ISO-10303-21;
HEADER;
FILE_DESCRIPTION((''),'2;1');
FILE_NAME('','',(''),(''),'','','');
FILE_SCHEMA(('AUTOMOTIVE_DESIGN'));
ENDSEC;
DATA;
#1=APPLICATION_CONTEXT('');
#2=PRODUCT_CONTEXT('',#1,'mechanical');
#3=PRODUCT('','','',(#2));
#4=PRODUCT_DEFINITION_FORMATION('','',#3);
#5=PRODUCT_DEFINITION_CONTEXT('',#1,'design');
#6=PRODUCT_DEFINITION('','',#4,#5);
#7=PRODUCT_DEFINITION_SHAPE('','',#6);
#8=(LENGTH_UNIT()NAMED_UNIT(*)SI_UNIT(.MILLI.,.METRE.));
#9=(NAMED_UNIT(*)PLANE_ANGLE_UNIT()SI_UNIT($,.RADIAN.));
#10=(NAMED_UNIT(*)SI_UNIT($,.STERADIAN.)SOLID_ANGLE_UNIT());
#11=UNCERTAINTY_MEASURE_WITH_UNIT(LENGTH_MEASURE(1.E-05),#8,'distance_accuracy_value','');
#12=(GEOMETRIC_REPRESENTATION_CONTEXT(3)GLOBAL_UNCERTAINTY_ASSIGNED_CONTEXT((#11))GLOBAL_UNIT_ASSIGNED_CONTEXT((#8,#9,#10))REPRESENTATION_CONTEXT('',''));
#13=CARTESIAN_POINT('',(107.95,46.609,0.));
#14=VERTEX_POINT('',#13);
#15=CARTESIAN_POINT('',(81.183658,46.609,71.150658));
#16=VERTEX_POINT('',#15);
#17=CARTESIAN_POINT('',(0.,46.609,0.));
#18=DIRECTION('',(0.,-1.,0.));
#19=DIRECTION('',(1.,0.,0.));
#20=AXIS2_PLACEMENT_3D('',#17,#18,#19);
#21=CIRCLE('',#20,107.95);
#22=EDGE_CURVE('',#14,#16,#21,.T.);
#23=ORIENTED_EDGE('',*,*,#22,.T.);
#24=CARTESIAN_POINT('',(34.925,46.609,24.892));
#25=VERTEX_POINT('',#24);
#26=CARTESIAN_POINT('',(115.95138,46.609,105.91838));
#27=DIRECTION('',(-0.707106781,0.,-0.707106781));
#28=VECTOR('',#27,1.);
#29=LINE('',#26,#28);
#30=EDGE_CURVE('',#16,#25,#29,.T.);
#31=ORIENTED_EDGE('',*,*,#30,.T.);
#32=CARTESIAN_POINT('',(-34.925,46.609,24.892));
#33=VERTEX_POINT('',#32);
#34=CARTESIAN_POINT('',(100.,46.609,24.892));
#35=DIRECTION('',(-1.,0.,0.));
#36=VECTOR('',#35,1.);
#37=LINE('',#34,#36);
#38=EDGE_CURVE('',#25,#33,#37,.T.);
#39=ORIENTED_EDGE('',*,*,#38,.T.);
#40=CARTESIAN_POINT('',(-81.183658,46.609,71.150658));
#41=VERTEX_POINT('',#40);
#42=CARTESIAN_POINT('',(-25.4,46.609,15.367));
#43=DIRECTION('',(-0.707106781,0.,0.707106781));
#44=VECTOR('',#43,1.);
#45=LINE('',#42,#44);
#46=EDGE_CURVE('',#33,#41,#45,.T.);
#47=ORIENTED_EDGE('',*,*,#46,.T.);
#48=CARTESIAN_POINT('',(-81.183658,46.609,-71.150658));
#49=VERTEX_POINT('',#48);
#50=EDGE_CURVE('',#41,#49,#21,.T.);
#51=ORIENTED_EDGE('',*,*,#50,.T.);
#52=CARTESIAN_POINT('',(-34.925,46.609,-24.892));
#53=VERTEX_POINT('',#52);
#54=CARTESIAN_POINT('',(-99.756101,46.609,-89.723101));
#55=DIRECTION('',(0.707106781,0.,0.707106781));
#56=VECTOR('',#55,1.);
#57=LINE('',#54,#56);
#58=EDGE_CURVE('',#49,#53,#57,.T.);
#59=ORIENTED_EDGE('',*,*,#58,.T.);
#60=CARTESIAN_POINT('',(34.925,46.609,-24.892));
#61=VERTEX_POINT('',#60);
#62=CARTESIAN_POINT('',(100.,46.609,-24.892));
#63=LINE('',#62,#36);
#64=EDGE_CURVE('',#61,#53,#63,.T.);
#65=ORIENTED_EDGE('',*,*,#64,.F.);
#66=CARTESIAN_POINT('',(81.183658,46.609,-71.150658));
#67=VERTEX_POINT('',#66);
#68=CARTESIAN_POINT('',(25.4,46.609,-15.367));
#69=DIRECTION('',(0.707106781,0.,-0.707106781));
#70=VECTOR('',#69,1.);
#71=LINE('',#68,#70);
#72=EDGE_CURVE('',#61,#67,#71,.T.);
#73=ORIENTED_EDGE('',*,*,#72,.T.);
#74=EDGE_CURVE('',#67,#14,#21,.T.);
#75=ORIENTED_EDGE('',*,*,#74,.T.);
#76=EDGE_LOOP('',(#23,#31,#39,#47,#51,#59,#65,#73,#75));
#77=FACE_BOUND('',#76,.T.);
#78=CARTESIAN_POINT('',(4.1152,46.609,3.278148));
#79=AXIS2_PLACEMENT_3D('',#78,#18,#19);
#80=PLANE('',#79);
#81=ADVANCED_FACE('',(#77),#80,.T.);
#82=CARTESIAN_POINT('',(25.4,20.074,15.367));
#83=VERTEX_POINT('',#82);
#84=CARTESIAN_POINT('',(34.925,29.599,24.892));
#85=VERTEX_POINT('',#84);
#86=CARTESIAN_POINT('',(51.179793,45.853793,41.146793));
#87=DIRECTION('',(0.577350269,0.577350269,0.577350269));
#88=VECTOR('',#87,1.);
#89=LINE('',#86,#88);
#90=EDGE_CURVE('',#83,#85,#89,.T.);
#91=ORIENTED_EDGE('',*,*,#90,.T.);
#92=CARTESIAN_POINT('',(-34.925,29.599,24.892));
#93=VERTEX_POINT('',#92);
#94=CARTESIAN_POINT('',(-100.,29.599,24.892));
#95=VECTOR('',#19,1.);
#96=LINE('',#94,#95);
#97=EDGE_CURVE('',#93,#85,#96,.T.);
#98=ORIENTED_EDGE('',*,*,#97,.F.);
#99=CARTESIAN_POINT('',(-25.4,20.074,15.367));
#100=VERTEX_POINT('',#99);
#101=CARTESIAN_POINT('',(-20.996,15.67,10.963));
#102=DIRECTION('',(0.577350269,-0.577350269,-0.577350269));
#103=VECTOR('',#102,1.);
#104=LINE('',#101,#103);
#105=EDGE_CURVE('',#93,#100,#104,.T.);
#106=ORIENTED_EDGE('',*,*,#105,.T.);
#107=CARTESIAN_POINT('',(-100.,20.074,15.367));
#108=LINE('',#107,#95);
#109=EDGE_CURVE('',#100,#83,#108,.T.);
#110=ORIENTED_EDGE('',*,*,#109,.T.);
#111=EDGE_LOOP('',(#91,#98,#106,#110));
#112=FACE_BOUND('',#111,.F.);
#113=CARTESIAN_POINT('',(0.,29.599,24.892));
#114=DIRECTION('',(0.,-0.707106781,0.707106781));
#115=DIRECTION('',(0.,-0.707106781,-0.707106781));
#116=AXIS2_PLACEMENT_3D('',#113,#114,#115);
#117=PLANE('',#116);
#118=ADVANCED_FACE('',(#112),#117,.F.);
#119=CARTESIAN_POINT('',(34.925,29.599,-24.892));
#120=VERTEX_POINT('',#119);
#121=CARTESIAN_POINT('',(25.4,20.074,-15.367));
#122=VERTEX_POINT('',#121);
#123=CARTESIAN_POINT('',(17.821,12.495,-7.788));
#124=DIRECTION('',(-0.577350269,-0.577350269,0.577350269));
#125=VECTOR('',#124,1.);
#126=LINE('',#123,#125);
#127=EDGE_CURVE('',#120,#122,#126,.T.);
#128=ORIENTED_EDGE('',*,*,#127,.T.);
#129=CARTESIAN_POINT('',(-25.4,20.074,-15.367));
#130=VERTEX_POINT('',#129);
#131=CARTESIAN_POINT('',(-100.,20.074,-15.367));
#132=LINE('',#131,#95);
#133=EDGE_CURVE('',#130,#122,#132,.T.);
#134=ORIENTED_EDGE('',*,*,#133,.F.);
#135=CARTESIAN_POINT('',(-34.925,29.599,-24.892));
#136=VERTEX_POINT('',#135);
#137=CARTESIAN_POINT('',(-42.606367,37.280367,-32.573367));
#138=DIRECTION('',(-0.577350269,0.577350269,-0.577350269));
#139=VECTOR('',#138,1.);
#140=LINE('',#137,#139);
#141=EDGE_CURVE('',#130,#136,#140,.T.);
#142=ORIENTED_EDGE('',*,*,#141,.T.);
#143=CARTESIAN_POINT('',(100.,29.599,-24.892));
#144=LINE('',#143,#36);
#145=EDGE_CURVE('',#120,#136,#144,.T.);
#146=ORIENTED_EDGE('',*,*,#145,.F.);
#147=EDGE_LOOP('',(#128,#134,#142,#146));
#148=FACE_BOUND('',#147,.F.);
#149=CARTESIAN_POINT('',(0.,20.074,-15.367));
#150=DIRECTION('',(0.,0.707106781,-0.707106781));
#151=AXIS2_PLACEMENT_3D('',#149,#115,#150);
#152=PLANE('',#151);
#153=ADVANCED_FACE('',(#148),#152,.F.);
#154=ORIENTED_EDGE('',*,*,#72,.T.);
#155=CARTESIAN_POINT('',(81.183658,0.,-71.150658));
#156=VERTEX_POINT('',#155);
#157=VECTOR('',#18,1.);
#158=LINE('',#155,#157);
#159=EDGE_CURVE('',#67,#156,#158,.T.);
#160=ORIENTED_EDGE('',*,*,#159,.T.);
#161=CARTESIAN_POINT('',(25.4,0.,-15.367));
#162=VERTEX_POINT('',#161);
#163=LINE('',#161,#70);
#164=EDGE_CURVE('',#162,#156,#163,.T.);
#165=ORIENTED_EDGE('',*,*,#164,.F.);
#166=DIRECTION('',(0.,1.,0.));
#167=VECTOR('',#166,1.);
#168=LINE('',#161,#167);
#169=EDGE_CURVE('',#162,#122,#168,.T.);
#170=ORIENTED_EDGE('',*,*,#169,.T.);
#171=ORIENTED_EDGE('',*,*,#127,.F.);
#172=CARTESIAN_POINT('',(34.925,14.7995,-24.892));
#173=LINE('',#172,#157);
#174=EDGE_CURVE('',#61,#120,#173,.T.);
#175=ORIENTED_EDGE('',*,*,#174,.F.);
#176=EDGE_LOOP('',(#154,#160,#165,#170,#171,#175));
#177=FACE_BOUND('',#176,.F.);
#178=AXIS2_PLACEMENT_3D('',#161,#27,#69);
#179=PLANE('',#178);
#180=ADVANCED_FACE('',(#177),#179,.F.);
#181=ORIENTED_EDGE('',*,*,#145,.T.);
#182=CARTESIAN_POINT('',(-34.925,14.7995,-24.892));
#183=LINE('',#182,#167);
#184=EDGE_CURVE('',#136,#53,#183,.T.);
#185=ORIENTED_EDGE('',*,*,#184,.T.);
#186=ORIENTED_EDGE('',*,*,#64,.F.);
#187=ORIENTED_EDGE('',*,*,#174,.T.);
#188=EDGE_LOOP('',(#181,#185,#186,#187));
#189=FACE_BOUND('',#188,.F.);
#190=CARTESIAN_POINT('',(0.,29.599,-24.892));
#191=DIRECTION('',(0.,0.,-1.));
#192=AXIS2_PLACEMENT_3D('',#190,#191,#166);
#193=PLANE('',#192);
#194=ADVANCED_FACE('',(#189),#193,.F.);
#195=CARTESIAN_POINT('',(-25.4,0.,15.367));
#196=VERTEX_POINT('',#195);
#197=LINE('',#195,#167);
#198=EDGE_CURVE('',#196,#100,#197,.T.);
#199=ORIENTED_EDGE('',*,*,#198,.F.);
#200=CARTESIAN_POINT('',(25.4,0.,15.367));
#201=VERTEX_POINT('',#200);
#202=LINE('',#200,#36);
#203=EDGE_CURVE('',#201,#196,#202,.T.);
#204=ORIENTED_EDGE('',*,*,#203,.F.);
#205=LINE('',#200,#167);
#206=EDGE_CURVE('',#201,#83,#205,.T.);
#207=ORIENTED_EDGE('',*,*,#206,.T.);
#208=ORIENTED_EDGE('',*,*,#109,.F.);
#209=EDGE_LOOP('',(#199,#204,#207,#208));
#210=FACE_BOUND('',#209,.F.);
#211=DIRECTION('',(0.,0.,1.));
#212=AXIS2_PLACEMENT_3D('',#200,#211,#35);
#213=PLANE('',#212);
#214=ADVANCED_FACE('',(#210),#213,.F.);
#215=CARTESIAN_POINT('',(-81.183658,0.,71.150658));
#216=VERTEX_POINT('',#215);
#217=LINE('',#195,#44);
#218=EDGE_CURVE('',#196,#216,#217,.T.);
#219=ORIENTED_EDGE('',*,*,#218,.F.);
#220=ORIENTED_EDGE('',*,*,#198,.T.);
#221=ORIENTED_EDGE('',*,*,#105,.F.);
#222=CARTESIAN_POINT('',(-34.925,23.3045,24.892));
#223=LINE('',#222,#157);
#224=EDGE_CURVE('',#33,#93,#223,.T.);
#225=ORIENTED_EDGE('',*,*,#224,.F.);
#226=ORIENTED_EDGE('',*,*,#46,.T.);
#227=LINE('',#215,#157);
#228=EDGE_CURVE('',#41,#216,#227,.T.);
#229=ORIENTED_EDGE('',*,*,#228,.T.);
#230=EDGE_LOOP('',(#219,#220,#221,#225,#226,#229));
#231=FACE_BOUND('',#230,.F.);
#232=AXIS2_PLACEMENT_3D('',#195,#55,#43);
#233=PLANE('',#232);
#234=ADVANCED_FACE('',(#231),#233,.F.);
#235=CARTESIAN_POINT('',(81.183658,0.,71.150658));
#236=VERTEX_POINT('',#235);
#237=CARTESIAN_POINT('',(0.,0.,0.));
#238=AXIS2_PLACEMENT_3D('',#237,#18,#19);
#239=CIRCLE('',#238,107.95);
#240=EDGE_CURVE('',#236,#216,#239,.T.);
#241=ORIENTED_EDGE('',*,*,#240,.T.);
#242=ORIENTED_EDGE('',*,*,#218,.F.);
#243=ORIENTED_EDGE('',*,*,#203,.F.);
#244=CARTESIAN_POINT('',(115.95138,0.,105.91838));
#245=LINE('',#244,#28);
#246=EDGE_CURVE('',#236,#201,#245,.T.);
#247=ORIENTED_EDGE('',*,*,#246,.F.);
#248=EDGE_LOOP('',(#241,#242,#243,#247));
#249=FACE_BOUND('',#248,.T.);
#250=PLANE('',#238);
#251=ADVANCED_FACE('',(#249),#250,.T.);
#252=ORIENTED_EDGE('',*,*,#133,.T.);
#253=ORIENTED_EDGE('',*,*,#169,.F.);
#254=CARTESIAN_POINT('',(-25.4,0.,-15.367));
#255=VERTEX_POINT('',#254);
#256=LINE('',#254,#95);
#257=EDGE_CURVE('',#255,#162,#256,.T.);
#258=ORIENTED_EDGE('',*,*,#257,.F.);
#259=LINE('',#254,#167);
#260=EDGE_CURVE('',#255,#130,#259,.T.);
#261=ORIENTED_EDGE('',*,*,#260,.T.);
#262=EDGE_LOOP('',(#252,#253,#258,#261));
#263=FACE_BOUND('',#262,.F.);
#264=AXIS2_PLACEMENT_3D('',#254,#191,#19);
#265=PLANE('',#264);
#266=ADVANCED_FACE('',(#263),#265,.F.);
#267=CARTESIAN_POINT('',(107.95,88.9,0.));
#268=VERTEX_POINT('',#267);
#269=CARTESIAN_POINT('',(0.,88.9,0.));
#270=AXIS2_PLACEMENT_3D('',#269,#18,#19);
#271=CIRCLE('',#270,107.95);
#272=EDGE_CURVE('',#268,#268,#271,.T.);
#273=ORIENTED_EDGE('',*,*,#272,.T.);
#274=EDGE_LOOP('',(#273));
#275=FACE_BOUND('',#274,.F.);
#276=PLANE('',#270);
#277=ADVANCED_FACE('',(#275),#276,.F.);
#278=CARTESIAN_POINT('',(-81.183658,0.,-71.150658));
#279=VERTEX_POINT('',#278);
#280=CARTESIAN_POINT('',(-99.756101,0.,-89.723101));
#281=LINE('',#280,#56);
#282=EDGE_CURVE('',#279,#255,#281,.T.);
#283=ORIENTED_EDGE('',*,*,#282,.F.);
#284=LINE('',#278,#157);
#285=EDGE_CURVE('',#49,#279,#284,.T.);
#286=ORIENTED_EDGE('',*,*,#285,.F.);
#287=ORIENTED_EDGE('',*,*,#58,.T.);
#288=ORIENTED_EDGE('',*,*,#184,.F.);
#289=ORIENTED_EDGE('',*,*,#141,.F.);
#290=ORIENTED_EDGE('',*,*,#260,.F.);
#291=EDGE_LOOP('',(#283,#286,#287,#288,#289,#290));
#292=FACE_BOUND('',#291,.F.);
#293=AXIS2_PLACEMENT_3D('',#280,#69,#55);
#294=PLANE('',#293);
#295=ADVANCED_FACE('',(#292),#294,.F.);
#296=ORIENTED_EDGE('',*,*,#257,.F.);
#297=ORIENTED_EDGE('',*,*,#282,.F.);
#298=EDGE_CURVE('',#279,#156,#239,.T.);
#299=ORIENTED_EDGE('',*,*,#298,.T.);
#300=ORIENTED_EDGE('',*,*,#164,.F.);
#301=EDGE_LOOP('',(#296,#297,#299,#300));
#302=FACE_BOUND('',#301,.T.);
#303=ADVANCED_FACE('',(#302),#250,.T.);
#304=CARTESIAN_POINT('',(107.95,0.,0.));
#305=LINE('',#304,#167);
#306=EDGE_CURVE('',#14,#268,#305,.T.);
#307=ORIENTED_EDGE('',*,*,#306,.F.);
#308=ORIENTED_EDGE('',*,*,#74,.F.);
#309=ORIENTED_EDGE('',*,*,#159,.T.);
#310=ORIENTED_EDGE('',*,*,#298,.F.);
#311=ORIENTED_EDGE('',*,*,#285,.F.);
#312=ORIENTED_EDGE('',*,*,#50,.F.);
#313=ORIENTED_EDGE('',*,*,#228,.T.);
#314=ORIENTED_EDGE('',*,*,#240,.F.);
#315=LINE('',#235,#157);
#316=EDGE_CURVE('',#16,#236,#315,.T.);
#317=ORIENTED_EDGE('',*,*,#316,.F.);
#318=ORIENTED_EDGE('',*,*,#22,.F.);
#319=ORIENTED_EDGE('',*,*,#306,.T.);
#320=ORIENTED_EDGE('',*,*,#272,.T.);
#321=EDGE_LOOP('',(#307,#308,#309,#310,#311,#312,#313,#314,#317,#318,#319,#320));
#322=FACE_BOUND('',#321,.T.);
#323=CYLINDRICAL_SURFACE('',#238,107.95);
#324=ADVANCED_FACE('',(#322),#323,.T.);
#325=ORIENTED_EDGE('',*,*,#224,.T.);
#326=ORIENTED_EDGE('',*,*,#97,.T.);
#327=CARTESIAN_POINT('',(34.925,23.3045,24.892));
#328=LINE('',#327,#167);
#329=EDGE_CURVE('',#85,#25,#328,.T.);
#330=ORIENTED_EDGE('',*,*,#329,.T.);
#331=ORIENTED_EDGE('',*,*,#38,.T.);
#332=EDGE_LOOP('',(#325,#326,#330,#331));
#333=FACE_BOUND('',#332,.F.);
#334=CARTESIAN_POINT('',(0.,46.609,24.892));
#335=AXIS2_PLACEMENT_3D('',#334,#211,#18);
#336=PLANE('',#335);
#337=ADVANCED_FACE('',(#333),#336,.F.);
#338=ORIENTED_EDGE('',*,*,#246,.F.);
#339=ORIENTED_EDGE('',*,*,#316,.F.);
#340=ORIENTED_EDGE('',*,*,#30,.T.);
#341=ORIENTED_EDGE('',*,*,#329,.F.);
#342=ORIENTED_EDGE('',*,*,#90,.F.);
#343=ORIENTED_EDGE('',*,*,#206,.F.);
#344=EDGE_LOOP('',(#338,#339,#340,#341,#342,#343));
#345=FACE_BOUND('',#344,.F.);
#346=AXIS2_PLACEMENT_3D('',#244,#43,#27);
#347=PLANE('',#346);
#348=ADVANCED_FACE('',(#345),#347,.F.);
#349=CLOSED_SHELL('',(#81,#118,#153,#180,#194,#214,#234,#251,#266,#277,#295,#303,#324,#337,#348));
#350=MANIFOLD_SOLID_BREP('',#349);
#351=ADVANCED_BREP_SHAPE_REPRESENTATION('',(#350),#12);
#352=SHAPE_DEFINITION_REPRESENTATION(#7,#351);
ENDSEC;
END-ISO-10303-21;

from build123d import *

# Parameters (mm, degrees)
F0_R     = 107.95
F1_DEPTH = 88.9
F3_DEPTH = 46.609
F5_DEPTH = 100


with BuildPart() as f1:
    # F0 (on Front) → F1 (new body)
    with BuildSketch(Plane.XZ):
        Circle(F0_R)
    extrude(amount=-F1_DEPTH)

    # F2 (on Front) → F3 (cut)
    with BuildSketch(Plane.XZ):
        Polygon((25.4, 15.367), (-25.4, 15.367), (-112.20568, 102.17268), (-112.20568, -81.354253), (-99.756101, -89.723101), (-25.4, -15.367), (25.4, -15.367), (112.291815, -102.258815), (115.95138, 105.91838), align=None)
    extrude(amount=-F3_DEPTH, mode=Mode.SUBTRACT)

    # F4 (on Right) → F5 (cut, symmetric)
    with BuildSketch(Plane.YZ):
        Polygon((46.609, 24.892), (29.599, 24.892), (20.074, 15.367), (-10.548349, 15.367), (-10.548349, -15.017238), (20.074, -15.367), (29.599, -24.892), (46.609, -24.892), align=None)
    extrude(amount=F5_DEPTH, both=True, mode=Mode.SUBTRACT)


solid = f1.part
